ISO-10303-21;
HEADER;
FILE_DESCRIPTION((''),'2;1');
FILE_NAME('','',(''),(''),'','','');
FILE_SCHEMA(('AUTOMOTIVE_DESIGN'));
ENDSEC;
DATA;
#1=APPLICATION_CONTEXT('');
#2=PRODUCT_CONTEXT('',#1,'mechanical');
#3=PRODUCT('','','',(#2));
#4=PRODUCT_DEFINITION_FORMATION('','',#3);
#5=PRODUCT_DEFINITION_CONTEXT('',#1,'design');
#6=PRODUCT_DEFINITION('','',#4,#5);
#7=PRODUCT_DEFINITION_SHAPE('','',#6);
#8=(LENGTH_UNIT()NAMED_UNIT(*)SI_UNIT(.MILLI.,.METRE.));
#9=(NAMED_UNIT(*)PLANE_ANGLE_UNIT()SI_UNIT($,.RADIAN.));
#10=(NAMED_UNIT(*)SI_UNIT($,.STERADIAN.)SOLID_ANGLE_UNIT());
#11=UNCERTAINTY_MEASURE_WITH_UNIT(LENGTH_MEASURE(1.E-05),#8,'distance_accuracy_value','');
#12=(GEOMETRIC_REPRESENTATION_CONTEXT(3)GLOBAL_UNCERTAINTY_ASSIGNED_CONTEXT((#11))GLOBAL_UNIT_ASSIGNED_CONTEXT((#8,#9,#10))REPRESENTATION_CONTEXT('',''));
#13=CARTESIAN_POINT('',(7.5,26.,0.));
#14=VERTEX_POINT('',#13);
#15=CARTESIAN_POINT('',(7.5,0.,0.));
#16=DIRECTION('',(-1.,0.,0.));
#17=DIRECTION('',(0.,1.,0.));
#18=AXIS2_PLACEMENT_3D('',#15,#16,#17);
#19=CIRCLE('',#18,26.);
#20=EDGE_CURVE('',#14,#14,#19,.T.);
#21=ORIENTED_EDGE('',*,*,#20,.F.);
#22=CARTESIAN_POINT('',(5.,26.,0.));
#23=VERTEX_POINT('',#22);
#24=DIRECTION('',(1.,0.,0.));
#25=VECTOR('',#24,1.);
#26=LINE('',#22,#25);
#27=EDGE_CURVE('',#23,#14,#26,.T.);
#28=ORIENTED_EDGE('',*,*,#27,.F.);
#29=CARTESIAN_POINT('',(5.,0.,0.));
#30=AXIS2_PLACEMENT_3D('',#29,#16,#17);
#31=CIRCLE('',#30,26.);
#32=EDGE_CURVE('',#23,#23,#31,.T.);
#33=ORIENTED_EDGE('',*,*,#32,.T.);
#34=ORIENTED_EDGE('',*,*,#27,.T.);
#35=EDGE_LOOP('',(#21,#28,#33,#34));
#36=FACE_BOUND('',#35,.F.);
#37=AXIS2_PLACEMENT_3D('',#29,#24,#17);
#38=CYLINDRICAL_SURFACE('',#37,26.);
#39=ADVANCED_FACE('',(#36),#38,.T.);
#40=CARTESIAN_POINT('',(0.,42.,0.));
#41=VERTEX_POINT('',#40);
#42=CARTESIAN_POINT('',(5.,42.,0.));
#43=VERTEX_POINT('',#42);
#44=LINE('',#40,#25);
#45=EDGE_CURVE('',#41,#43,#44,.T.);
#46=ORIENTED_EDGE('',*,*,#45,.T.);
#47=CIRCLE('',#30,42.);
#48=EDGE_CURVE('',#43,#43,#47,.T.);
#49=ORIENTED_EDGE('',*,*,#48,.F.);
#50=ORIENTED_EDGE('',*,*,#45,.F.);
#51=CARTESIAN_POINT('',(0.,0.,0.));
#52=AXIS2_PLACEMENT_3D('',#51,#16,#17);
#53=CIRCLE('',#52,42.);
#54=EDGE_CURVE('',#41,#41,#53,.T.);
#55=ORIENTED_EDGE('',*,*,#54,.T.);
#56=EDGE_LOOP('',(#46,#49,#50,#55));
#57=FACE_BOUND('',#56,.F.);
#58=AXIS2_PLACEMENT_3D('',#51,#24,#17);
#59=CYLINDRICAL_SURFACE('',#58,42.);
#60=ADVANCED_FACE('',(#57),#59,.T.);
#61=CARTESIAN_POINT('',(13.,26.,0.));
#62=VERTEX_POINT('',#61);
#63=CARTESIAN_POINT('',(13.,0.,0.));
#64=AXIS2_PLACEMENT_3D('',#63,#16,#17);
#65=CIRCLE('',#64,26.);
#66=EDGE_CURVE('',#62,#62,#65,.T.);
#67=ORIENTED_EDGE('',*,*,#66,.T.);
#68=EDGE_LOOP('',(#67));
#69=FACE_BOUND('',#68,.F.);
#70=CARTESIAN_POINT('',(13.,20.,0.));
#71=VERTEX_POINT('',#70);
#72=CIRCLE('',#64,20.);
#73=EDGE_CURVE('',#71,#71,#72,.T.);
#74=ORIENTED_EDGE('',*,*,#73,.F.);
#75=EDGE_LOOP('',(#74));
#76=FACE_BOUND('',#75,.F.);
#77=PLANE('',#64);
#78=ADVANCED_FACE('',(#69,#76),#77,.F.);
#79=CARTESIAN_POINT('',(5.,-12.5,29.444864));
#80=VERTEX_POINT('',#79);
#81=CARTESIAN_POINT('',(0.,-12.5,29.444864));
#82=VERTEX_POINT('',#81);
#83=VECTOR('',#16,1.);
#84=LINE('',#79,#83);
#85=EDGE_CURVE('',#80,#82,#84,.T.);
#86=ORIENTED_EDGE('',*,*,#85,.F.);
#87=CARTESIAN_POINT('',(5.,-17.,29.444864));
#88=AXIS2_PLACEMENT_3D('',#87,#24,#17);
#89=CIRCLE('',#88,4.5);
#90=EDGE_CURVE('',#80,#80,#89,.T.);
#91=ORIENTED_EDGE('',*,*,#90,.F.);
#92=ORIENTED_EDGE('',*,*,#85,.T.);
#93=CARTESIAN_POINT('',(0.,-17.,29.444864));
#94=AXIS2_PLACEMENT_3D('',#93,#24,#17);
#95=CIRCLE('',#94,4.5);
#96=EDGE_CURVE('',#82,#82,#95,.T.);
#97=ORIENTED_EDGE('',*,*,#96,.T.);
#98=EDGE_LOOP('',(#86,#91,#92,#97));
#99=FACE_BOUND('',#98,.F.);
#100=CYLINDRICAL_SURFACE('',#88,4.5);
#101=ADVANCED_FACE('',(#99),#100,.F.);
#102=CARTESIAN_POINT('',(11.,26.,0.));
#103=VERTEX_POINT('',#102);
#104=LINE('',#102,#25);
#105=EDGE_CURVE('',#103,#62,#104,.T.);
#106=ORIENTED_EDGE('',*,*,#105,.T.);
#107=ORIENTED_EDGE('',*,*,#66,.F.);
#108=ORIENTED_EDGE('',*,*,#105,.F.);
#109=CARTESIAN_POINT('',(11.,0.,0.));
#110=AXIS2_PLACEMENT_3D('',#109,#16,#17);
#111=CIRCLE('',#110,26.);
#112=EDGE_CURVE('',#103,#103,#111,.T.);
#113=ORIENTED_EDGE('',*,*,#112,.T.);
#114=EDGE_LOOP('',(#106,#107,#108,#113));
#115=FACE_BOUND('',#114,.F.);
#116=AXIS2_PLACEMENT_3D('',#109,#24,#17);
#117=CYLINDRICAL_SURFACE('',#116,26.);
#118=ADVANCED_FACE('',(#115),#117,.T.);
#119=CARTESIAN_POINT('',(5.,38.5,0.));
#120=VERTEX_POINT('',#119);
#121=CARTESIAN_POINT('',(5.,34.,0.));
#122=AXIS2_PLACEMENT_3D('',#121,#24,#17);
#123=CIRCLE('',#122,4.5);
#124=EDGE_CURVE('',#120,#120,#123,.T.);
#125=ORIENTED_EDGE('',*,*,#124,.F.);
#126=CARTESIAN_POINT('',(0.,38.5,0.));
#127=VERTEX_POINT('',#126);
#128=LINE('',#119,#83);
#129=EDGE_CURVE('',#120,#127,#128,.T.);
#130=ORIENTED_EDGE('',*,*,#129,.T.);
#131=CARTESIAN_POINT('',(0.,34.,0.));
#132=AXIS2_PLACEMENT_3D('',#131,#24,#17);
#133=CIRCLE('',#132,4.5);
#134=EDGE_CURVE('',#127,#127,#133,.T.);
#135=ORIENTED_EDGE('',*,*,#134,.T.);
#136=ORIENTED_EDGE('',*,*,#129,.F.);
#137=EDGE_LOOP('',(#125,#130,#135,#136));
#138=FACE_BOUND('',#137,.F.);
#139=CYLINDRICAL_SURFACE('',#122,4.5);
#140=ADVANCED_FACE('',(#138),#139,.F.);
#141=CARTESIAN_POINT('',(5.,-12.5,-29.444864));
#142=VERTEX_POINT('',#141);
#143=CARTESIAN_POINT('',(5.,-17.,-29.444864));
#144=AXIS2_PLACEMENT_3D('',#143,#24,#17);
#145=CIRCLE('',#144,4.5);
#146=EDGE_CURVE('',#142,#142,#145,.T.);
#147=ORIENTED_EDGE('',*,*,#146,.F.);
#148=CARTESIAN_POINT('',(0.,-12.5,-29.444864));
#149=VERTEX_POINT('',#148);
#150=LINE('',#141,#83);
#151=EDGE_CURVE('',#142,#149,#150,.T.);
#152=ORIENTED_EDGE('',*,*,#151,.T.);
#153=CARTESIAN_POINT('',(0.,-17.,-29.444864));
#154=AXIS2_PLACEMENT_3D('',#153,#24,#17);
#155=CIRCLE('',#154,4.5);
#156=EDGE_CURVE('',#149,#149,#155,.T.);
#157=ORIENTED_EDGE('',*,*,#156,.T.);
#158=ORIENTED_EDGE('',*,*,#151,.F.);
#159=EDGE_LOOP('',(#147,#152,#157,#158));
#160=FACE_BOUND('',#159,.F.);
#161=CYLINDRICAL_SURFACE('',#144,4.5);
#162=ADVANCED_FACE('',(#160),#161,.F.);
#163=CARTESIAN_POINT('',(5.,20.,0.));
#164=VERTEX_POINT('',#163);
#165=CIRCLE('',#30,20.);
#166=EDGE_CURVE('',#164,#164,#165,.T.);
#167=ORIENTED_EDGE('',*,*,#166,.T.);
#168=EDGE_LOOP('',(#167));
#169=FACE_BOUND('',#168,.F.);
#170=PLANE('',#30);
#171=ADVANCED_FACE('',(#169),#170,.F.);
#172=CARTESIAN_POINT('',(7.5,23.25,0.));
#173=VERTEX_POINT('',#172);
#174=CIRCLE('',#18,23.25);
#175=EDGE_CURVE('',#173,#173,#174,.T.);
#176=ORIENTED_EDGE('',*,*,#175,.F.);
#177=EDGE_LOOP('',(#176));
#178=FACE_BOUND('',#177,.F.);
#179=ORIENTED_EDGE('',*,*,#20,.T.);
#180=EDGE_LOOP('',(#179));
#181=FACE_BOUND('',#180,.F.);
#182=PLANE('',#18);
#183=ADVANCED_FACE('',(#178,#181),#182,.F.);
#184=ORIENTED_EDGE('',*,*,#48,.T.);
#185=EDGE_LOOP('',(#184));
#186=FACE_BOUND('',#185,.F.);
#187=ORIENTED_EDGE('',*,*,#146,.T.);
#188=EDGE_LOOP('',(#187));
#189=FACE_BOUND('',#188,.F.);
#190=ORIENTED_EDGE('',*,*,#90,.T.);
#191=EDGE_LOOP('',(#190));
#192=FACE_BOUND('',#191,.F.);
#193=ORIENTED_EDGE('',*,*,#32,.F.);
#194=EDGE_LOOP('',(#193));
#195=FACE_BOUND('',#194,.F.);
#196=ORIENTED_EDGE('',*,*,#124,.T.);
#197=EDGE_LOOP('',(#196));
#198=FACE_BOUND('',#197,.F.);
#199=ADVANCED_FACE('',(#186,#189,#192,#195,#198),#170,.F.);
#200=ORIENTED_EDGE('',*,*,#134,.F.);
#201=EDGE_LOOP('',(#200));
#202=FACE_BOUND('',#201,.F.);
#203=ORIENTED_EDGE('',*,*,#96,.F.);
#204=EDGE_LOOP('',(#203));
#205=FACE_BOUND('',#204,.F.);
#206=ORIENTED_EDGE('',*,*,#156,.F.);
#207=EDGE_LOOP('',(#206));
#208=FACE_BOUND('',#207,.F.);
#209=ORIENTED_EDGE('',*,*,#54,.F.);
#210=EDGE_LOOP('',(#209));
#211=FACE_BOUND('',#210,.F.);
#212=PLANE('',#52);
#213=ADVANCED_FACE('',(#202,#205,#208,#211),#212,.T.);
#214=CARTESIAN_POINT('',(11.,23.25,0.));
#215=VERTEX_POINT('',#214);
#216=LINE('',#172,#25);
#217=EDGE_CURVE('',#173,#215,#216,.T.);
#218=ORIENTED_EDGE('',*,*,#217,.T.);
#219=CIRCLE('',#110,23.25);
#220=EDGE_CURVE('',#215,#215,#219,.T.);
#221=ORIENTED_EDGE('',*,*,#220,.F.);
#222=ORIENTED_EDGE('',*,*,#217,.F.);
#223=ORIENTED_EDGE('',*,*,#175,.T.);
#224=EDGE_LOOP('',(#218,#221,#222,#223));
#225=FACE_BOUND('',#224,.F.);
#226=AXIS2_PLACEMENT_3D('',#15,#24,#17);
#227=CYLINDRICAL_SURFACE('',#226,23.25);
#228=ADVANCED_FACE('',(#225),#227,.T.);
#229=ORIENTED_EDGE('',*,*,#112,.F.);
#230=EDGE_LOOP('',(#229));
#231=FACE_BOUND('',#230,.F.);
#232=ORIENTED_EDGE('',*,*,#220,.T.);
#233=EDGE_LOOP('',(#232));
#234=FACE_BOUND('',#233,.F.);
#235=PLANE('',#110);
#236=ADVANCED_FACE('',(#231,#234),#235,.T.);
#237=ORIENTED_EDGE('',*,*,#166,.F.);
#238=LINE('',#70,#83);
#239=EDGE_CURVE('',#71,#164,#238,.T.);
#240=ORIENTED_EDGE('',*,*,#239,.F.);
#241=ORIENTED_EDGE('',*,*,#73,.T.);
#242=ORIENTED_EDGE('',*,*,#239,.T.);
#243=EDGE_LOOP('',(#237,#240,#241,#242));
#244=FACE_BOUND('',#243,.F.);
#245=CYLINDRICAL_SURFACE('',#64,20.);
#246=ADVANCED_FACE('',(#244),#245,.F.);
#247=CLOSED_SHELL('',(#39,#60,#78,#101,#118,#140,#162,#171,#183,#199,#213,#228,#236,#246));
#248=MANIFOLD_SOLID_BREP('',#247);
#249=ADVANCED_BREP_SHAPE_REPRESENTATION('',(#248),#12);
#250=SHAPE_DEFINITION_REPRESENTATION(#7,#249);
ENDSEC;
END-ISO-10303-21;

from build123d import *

# Parameters (mm, degrees)
SCHIZZO2_R               = 4.5
TAGLIO_ESTRUSIONE1_DEPTH = 60.933296255


with BuildPart() as part:
    # Schizzo1 → Rivoluzione1 (revolve)
    with BuildSketch(Plane.XY):
        Polygon((0, 0), (0, 42), (5, 42), (5, 26), (7.5, 26), (7.5, 23.25), (11, 23.25), (11, 26), (13, 26), (13, 20), (5, 20), (5, 0), align=None)
    revolve(axis=Axis((5, 0, 0), (-1, 0, 0)))

    # Schizzo2 → Taglio-Estrusione1 (cut, through all)
    with BuildSketch(Plane(origin=(5, 0, 0), x_dir=(0, 0, -1), z_dir=(1, 0, 0))):
        with Locations(Location((0, 34, 0), (0, 0, 90))):
            Circle(SCHIZZO2_R)
        with Locations(Location((29.444863729, -17, 0), (0, 0, 90))):
            Circle(SCHIZZO2_R)
        with Locations(Location((-29.444863729, -17, 0), (0, 0, 90))):
            Circle(SCHIZZO2_R)
    extrude(amount=-TAGLIO_ESTRUSIONE1_DEPTH, mode=Mode.SUBTRACT)


solid = part.part
